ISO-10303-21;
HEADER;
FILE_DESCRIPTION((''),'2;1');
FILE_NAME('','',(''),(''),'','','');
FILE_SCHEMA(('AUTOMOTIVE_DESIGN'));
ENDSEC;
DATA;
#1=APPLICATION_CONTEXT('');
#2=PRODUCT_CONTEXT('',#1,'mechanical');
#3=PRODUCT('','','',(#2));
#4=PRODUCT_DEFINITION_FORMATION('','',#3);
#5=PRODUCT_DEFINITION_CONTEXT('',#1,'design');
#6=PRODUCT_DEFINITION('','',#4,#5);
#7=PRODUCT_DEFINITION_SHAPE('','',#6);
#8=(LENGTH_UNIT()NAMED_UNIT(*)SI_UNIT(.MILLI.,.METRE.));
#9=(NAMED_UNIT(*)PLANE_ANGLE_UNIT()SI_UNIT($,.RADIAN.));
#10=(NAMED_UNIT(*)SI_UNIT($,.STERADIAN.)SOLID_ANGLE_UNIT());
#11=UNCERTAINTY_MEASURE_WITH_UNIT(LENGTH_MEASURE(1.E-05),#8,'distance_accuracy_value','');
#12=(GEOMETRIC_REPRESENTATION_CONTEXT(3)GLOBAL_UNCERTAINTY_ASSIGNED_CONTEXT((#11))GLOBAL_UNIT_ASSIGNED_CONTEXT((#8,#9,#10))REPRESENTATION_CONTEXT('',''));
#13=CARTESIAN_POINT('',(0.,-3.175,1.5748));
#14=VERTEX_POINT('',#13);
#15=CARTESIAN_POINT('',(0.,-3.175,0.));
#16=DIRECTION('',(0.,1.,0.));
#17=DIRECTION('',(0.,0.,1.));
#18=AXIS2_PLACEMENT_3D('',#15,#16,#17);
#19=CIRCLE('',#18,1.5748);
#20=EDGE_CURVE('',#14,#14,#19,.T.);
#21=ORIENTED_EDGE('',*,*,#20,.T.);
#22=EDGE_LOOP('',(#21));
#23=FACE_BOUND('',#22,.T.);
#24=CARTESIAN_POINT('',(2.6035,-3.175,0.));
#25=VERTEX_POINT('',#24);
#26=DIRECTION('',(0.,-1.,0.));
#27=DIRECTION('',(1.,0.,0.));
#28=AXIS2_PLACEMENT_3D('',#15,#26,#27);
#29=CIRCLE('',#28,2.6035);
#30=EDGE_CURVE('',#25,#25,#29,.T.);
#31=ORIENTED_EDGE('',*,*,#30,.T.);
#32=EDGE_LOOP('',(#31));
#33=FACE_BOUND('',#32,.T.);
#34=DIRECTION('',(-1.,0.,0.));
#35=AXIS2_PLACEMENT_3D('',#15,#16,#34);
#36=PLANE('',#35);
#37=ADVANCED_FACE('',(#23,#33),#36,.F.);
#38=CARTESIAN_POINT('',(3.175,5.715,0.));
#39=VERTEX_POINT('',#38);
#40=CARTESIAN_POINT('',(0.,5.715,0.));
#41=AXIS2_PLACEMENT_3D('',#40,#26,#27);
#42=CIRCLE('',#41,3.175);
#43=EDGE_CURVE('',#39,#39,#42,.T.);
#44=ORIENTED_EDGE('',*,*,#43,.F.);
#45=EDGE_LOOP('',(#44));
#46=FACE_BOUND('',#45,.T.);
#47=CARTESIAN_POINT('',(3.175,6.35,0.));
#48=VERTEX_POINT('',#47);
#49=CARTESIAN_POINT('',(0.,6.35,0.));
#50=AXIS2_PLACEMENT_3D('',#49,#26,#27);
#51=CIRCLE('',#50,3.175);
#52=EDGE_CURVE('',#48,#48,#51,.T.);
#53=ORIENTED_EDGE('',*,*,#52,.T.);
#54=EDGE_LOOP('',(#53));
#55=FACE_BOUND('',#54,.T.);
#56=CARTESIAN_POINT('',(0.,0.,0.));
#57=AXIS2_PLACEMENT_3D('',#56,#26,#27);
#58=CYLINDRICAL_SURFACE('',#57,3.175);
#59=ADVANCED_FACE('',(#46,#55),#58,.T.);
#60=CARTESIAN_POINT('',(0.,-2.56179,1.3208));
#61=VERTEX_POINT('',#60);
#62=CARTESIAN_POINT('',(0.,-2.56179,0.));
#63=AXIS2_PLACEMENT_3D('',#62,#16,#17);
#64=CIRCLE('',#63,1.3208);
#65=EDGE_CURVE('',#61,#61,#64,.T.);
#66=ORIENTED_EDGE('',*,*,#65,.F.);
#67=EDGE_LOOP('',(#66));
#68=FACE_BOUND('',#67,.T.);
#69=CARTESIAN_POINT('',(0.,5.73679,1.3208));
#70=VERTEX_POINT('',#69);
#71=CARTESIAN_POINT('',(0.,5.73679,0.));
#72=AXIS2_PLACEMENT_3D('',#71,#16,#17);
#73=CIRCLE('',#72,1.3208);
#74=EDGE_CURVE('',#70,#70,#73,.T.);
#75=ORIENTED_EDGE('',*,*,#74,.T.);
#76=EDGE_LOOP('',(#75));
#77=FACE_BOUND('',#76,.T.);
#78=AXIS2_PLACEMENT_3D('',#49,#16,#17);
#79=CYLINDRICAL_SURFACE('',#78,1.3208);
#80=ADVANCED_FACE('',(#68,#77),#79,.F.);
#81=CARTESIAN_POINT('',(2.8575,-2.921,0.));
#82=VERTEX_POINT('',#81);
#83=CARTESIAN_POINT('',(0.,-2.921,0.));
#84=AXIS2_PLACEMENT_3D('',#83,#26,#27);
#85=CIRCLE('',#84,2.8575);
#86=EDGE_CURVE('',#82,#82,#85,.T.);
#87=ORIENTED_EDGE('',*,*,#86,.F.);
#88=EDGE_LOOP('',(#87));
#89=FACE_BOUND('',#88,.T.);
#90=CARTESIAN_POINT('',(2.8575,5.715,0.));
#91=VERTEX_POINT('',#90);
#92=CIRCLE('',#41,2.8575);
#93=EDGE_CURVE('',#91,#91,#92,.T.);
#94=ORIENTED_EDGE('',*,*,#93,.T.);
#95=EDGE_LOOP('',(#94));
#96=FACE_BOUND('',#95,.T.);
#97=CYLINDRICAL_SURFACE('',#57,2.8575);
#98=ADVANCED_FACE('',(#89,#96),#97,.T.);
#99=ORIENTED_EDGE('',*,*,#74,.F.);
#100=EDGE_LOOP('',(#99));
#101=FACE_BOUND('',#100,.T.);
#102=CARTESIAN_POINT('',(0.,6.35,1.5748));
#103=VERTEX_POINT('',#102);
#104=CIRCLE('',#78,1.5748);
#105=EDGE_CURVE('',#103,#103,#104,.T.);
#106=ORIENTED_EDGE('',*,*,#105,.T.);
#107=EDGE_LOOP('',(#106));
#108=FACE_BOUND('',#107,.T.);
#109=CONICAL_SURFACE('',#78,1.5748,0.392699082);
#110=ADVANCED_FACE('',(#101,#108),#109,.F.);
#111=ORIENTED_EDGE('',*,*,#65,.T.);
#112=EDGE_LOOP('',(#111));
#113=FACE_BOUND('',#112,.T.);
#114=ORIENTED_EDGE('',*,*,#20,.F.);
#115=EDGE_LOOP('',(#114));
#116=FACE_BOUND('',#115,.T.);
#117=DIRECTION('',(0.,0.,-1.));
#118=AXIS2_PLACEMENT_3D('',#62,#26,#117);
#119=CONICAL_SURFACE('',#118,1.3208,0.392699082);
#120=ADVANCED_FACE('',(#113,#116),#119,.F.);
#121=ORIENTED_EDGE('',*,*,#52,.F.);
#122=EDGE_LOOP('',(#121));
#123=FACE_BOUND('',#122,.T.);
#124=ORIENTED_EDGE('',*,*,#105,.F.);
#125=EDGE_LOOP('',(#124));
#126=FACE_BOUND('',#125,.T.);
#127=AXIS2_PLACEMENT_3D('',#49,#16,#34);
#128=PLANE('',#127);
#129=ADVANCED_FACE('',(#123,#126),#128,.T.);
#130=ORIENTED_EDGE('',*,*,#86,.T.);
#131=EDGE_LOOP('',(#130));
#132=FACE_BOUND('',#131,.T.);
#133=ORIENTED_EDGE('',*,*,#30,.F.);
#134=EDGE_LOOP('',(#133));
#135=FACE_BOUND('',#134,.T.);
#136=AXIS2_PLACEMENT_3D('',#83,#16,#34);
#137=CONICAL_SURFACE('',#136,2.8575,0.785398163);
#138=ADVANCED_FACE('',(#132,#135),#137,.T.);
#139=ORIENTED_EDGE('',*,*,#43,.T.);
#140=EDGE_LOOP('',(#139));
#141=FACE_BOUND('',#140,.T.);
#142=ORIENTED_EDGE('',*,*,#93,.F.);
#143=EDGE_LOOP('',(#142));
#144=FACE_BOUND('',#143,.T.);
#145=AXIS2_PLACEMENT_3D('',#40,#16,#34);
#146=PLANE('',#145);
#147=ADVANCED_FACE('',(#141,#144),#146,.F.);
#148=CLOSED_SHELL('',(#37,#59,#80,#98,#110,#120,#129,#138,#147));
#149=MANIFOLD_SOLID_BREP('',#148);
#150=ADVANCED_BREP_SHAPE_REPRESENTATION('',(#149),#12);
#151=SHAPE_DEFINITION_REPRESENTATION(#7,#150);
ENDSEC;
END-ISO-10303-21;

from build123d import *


with BuildPart() as part:
    # Sketch1 one side → Revolve1 (revolve)
    with BuildSketch(Plane.XY, mode=Mode.PRIVATE) as revolve1_sk:
        Polygon((0, -3.175), (0, 6.35), (-3.175, 6.35), (-3.175, 5.715), (-2.8575, 5.715), (-2.8575, -2.921), (-2.6035, -3.175), align=None)
    revolve(revolve1_sk.sketch.rotate(Axis((0, 0, 0), (0, 1, 0)), 180), axis=Axis((0, 0, 0), (0, 1, 0)))  # turned: the seam where the file's is

    # Sketch2 → #6-80 Tapped Hole1 (revolve, cut)
    with BuildSketch(Plane(origin=(0, 6.35, 0), x_dir=(0, 0, 1), z_dir=(1, 0, 0))):
        Polygon((0, 0), (0, 9.525), (1.5748, 9.525), (1.3208, 8.911789755), (1.3208, 0.613210245), (1.5748, 0), align=None)
    revolve(axis=Axis((0, 12.7, 0), (0, -1, 0)), mode=Mode.SUBTRACT)


solid = part.part
